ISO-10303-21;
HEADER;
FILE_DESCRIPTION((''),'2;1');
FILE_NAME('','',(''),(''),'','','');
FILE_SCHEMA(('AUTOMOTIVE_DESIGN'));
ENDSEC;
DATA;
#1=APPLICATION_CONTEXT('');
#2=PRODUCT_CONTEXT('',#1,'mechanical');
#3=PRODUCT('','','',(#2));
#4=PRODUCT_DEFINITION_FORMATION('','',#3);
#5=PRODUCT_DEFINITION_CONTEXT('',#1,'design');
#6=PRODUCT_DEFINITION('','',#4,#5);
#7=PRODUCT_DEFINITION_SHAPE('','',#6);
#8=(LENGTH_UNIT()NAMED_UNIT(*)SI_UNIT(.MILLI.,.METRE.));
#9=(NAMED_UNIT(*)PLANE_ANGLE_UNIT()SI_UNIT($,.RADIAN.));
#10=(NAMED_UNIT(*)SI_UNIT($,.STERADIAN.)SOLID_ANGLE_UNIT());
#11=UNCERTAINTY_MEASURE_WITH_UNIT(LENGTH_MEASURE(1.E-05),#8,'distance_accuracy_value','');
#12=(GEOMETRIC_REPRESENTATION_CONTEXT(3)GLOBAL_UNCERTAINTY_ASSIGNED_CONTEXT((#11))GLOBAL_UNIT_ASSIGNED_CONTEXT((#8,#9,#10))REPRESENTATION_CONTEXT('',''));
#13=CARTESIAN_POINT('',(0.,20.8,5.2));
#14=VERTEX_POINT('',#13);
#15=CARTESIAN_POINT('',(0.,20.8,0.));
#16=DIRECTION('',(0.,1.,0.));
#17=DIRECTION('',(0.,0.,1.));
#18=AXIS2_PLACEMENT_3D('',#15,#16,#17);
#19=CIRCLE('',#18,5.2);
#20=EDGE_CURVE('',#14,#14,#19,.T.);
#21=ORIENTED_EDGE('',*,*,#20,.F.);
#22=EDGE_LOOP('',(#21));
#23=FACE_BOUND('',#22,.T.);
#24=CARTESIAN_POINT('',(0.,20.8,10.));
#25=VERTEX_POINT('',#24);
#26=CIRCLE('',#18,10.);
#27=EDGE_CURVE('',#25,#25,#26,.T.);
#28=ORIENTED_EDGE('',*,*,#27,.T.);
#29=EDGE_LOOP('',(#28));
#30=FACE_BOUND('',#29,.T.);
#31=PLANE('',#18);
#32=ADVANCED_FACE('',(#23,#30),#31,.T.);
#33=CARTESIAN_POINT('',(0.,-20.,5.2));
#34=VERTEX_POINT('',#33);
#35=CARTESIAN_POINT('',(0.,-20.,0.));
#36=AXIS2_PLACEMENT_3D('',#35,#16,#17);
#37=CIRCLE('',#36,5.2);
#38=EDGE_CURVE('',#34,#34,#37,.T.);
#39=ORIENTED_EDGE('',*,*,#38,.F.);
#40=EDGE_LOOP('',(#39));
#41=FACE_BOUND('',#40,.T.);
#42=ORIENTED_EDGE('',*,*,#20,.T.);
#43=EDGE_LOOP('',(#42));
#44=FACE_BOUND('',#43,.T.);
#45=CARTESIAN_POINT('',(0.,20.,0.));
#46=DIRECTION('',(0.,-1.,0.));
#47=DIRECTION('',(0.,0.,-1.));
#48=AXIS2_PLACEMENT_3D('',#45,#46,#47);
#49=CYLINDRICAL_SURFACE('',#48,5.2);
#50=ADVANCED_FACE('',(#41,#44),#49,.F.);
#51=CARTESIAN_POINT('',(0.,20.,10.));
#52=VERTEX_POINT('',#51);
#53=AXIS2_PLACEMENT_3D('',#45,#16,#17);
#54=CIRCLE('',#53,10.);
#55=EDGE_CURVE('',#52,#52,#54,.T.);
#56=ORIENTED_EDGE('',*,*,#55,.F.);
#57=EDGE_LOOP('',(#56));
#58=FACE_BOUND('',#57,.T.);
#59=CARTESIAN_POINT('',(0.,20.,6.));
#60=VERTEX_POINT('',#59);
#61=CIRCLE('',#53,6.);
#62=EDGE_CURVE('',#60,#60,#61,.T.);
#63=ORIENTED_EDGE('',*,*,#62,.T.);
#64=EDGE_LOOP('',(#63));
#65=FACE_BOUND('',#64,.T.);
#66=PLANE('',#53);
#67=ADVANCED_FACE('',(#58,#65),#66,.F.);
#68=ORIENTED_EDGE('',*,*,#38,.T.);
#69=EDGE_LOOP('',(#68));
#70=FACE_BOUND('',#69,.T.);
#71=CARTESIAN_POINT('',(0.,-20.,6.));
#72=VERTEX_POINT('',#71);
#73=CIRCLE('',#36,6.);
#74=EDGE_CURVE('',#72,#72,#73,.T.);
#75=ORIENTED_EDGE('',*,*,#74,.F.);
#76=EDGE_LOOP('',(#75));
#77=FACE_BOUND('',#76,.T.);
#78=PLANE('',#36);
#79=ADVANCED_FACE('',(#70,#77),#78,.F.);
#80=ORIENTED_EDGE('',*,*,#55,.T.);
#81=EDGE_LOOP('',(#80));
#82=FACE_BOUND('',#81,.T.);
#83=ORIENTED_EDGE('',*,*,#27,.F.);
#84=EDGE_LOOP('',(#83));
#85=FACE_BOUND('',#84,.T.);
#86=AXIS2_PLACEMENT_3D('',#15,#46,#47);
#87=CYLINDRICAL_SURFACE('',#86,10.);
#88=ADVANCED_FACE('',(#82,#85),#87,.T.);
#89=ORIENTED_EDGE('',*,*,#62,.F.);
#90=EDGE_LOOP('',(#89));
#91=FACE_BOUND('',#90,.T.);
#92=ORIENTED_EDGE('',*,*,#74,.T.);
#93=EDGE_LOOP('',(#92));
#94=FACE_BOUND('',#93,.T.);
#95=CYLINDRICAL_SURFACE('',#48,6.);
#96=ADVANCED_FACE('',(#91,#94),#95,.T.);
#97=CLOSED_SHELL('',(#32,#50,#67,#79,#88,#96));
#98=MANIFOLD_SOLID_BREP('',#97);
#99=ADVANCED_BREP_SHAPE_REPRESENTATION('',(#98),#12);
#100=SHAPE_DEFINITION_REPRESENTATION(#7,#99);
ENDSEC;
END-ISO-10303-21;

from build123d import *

# Parameters (mm, degrees)
SKETCH1_R           = 6
SKETCH1_R_2         = 5.2
BOSS_EXTRUDE1_DEPTH = 20
SKETCH4_R           = 10
SKETCH4_R_2         = 5.2
BOSS_EXTRUDE3_DEPTH = 0.8


with BuildPart() as part:
    # Sketch1 → Boss-Extrude1 (new body, symmetric)
    with BuildSketch(Plane(origin=(0, 0, 0), x_dir=(1, 0, 0), z_dir=(0, 1, 0))):
        Circle(SKETCH1_R)
        Circle(SKETCH1_R_2, mode=Mode.SUBTRACT)
    extrude(amount=BOSS_EXTRUDE1_DEPTH, both=True)

    # Sketch4 → Boss-Extrude3 (add)
    with BuildSketch(Plane(origin=(0, 20, 0), x_dir=(1, 0, 0), z_dir=(0, 1, 0))):
        Circle(SKETCH4_R)
        Circle(SKETCH4_R_2, mode=Mode.SUBTRACT)
    extrude(amount=BOSS_EXTRUDE3_DEPTH)


solid = part.part
